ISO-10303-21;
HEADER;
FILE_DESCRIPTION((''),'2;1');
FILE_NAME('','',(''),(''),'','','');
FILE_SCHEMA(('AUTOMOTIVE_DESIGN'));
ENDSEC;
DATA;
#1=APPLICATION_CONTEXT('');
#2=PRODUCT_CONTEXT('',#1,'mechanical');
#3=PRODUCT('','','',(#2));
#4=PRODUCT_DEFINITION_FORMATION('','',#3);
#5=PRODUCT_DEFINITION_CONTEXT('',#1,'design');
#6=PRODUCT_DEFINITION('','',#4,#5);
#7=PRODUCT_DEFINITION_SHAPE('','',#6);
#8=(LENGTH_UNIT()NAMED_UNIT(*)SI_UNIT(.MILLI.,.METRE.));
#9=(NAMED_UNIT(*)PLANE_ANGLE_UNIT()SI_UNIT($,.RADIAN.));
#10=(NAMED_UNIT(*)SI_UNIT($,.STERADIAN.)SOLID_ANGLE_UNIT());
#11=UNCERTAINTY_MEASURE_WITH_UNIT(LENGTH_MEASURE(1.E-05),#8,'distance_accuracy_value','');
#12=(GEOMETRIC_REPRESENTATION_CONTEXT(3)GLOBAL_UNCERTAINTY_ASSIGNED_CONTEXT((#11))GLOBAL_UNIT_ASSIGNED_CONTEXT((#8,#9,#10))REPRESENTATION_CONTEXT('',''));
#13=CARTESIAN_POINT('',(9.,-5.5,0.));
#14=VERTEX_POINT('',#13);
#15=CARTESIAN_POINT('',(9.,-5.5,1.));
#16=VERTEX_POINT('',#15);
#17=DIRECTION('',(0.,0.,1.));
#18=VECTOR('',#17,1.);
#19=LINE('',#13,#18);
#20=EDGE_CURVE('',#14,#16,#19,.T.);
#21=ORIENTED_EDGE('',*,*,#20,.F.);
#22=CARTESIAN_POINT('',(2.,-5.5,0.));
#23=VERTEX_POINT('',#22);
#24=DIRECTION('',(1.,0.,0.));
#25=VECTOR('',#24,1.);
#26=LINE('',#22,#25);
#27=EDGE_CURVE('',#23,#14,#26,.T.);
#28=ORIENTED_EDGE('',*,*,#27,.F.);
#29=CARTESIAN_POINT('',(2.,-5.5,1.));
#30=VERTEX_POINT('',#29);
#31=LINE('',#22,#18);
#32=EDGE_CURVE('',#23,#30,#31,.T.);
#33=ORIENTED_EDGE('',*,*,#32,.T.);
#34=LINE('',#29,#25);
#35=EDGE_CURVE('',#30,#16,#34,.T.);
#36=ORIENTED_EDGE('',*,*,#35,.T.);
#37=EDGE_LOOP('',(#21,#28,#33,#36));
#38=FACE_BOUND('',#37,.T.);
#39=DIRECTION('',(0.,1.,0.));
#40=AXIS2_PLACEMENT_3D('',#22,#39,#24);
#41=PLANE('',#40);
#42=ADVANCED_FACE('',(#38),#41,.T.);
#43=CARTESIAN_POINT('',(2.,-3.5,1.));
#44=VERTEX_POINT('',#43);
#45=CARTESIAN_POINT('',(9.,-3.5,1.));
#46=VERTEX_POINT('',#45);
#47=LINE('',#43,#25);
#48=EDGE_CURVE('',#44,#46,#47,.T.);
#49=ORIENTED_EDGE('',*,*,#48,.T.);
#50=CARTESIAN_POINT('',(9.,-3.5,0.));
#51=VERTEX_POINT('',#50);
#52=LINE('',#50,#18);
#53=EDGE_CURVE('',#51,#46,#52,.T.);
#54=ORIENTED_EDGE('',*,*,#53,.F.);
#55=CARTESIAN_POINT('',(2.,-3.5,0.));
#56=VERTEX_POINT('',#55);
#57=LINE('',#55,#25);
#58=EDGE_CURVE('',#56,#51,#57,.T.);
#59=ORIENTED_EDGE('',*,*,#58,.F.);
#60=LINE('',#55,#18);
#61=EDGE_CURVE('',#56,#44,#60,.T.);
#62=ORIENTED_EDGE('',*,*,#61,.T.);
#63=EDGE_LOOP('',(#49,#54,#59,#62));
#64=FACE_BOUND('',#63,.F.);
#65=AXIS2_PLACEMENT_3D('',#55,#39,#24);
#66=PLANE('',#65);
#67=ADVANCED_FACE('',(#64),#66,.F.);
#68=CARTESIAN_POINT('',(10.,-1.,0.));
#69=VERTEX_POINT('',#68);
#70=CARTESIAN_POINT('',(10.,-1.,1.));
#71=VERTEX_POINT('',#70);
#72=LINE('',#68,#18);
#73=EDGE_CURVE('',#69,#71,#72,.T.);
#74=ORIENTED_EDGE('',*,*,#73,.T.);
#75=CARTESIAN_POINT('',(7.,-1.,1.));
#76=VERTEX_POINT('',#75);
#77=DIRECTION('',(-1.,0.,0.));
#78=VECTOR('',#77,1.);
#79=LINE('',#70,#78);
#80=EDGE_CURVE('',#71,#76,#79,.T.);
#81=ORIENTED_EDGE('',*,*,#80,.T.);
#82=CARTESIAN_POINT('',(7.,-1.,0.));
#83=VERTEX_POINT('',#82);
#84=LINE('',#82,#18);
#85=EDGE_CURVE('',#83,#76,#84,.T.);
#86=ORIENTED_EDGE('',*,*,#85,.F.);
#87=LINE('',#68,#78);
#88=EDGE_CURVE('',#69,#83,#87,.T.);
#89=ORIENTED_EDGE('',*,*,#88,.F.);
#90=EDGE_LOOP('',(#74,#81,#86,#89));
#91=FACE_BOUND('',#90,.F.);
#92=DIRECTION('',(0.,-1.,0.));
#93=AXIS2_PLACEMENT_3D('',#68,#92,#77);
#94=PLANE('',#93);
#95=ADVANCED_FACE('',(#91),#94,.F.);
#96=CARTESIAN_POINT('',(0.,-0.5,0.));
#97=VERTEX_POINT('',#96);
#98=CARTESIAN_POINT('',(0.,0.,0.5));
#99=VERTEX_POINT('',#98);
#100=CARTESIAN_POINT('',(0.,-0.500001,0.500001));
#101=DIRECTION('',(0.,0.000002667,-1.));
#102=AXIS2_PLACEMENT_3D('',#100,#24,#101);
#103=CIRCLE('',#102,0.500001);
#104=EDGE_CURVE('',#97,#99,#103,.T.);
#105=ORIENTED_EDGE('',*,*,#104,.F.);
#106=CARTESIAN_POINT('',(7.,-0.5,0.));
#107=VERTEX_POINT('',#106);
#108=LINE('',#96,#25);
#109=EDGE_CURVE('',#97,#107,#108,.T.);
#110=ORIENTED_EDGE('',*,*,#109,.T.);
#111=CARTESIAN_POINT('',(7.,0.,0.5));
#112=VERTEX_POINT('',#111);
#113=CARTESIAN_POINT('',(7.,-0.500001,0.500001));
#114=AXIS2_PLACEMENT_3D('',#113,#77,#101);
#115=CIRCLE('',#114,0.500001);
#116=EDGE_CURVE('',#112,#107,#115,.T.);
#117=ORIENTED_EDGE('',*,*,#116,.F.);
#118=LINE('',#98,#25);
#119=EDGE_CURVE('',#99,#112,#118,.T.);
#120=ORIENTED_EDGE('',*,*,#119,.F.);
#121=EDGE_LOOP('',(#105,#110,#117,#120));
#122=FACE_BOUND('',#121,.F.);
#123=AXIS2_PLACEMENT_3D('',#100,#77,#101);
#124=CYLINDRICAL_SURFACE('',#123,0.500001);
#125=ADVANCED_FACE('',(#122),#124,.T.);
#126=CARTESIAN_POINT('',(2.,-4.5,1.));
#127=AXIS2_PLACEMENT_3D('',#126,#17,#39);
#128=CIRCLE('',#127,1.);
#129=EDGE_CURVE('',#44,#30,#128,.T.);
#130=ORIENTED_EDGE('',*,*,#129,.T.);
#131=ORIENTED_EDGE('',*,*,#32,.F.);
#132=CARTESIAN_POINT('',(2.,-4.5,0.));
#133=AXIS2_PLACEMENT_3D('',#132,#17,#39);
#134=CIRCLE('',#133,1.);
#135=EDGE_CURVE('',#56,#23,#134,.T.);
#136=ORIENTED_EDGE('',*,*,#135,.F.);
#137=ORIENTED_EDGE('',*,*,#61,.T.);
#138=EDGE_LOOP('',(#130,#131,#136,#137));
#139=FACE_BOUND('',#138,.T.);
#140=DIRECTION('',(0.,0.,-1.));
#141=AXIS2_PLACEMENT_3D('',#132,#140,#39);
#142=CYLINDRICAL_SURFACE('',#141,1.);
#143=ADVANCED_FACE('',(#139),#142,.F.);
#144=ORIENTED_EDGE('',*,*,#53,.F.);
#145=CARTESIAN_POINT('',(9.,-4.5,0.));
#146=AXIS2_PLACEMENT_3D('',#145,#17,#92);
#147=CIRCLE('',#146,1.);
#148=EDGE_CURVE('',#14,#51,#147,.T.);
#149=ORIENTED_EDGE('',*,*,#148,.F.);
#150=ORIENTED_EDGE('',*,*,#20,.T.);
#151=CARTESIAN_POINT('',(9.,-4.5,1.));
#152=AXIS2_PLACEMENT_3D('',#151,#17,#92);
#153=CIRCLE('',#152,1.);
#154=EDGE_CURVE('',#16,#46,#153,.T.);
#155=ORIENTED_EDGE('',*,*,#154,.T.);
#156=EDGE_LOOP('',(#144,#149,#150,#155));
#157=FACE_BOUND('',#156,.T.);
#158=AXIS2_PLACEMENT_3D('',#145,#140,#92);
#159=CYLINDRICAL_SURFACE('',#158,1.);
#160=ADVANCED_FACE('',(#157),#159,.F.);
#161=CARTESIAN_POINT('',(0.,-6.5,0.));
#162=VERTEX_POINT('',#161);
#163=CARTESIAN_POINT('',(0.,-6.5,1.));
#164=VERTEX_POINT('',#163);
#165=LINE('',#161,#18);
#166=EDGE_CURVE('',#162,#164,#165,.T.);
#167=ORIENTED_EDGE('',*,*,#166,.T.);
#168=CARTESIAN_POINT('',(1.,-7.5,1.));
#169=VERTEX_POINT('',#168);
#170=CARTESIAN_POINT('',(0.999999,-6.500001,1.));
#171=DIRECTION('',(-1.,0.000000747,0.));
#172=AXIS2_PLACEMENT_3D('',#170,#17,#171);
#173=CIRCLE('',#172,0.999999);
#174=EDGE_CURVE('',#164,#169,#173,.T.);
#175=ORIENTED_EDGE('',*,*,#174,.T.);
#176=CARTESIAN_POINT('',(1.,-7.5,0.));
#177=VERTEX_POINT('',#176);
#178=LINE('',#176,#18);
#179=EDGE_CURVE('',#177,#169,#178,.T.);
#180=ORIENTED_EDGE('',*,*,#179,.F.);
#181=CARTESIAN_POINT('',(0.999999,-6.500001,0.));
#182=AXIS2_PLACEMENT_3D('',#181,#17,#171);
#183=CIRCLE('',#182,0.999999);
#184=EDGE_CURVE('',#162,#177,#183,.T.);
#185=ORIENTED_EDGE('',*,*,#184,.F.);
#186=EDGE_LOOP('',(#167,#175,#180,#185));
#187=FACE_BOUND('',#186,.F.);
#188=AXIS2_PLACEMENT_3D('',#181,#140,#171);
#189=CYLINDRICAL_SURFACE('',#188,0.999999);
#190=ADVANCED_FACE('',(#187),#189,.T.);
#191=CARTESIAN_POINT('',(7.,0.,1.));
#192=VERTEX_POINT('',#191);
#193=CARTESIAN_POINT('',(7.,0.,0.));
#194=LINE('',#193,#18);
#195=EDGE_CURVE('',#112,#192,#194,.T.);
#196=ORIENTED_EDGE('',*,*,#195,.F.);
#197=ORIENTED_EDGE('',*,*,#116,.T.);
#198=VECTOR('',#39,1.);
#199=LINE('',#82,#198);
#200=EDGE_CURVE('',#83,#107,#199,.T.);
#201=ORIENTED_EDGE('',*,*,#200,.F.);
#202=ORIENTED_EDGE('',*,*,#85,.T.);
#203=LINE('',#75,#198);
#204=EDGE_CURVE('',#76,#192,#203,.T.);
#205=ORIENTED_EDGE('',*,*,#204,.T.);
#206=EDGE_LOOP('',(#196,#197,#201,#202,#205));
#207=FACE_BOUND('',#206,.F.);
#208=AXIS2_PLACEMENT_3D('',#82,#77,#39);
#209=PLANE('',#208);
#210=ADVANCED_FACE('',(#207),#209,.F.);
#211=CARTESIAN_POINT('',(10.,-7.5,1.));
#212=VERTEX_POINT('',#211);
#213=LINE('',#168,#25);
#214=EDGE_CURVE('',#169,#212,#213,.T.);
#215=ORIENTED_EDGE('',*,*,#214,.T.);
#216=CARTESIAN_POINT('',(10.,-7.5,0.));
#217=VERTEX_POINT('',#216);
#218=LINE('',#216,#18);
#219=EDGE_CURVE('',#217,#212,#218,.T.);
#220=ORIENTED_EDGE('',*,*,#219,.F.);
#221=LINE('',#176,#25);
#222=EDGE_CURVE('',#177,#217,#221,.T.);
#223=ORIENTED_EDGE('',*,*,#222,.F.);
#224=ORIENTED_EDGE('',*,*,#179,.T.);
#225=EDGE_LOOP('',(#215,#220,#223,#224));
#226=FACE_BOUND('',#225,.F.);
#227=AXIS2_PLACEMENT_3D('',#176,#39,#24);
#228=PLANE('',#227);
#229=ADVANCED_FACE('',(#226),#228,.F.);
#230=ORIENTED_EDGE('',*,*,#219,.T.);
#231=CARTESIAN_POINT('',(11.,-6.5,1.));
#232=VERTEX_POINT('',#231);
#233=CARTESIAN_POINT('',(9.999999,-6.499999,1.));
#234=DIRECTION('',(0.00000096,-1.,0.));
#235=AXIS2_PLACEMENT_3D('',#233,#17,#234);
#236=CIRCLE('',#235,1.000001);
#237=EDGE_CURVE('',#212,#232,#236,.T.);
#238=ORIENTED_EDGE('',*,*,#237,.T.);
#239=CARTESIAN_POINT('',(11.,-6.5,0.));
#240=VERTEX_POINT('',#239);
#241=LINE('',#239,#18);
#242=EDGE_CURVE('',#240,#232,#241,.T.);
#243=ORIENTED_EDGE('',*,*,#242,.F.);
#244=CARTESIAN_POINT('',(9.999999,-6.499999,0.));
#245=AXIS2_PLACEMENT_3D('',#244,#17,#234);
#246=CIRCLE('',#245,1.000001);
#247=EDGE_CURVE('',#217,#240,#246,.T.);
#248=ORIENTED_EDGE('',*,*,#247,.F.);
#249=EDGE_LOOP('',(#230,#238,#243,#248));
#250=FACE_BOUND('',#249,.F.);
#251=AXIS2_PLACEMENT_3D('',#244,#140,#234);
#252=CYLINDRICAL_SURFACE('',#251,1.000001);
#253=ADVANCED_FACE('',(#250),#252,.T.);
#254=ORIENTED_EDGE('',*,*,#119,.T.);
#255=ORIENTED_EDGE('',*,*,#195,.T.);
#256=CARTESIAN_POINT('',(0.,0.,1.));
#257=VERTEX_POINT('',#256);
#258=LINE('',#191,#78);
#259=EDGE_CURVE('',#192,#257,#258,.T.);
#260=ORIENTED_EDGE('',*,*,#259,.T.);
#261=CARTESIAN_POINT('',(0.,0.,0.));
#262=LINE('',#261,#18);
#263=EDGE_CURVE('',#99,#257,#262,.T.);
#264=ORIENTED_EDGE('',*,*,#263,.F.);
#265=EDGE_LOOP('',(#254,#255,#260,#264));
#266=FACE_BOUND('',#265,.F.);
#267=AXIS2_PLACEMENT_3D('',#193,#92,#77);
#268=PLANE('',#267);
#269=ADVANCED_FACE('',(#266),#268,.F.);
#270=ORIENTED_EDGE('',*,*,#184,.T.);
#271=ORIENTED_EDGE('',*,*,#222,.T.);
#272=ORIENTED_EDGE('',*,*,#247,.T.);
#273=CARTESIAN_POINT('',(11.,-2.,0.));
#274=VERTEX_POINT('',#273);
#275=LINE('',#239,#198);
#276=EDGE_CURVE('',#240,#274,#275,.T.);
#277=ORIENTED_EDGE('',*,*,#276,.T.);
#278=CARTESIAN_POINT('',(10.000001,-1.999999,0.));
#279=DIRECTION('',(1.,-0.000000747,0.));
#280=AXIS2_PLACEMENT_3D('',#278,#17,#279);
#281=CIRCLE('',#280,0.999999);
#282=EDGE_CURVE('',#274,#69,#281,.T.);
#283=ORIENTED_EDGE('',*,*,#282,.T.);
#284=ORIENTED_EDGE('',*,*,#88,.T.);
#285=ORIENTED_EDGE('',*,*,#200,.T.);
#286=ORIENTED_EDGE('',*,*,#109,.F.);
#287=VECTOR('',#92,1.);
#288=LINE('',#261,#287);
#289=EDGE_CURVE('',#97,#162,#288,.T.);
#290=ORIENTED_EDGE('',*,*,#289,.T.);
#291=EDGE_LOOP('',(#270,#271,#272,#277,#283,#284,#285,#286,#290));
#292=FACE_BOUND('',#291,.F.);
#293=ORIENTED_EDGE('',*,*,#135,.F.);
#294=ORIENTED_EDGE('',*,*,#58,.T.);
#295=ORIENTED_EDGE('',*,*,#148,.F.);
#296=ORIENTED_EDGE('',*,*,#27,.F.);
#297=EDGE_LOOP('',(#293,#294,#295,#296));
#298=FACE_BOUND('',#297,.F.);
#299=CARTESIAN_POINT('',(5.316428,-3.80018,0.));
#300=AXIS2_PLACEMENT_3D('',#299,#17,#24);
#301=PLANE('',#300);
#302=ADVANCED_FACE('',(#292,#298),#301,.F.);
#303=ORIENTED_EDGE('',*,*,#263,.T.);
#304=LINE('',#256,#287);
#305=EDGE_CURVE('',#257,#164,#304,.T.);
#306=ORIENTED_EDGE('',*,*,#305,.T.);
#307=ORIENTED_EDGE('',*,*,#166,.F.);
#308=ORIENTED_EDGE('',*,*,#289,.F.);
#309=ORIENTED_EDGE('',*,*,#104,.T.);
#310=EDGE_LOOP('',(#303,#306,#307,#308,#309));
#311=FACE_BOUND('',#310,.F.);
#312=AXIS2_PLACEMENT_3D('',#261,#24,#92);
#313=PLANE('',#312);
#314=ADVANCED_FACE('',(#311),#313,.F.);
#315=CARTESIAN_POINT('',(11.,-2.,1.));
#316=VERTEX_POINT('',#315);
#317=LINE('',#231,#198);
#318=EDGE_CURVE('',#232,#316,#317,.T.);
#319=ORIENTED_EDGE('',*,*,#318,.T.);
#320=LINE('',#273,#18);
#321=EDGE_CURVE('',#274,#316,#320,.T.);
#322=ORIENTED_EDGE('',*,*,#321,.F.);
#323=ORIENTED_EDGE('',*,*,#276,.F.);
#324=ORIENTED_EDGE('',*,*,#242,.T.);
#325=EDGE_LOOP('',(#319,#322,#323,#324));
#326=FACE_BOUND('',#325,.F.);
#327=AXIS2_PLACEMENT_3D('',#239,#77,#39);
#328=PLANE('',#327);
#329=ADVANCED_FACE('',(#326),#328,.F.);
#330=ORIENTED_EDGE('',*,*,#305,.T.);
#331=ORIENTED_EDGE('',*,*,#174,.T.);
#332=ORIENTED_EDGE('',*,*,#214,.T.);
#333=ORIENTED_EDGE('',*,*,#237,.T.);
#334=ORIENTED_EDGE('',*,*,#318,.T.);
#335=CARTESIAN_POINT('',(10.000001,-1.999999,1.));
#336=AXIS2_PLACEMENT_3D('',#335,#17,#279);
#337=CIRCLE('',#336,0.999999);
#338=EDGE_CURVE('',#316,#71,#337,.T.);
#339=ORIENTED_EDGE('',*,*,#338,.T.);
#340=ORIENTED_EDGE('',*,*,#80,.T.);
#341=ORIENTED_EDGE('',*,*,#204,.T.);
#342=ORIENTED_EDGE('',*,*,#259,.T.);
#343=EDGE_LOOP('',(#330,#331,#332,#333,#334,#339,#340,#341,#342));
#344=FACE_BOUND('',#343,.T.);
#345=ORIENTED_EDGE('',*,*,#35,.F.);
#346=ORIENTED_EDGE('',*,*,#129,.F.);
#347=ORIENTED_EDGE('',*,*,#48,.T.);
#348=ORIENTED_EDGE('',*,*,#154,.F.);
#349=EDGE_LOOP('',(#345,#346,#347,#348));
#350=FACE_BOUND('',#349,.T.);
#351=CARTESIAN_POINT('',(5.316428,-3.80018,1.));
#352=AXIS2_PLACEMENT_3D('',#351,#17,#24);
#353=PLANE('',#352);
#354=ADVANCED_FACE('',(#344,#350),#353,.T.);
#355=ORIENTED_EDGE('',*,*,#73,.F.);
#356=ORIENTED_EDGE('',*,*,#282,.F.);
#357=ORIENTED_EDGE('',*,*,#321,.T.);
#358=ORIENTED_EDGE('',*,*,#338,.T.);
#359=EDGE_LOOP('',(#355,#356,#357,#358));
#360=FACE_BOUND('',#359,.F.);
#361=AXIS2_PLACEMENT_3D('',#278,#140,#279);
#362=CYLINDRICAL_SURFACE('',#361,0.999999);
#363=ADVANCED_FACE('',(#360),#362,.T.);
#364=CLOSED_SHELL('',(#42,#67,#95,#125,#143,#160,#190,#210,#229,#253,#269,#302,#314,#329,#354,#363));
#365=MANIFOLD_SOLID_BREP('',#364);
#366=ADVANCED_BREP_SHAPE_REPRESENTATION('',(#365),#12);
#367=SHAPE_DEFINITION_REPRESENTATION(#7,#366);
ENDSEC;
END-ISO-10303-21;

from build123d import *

# Parameters (mm, degrees)
EXTRUDE074_DEPTH = 1
EXTRUDE075_DEPTH = 15
EXTRUDE073_DEPTH = 1


with BuildPart() as extrude074:
    # Sketch271 → Extrude074 (new body)
    with BuildSketch(Plane.XY):
        with BuildLine():
            Line((2, -5.5), (9, -5.5))
            ThreePointArc((9, -5.5), (10, -4.5), (9, -3.5))
            Line((2, -3.5), (9, -3.5))
            ThreePointArc((2, -3.5), (1, -4.5), (2, -5.5))
        make_face()
    extrude(amount=EXTRUDE074_DEPTH)


with BuildPart() as extrude075:
    # Sketch272 → Extrude075 (new body)
    with BuildSketch(Plane.YZ):
        with BuildLine():
            ThreePointArc((-0.5, 0), (-0.146447, 0.146447), (0, 0.5))
            Line((0, 0.5), (0, 0))
            Line((-0.5, 0), (0, 0))
        make_face()
    extrude(amount=EXTRUDE075_DEPTH)


with BuildPart() as cut045:
    # Sketch270 → Extrude073 (new body)
    with BuildSketch(Plane(origin=(0, -0.5, 0), x_dir=(1, 0, 0), z_dir=(0, 0, 1))):
        with BuildLine():
            ThreePointArc((0, -6), (0.292893, -6.707107), (1, -7))
            Line((1, -7), (10, -7))
            ThreePointArc((10, -7), (10.707107, -6.707106), (11, -6))
            Line((11, -6), (11, -1.5))
            ThreePointArc((11, -1.5), (10.707107, -0.792893), (10, -0.5))
            Line((10, -0.5), (7, -0.5))
            Line((7, -0.5), (7, 0.5))
            Line((7, 0.5), (0, 0.5))
            Line((0, 0.5), (0, -6))
        make_face()
    extrude(amount=EXTRUDE073_DEPTH)

    # Cut044: cut Extrude075
    add(extrude075.part, mode=Mode.SUBTRACT)

    # Cut045: cut Extrude074
    add(extrude074.part, mode=Mode.SUBTRACT)


solid = cut045.part
